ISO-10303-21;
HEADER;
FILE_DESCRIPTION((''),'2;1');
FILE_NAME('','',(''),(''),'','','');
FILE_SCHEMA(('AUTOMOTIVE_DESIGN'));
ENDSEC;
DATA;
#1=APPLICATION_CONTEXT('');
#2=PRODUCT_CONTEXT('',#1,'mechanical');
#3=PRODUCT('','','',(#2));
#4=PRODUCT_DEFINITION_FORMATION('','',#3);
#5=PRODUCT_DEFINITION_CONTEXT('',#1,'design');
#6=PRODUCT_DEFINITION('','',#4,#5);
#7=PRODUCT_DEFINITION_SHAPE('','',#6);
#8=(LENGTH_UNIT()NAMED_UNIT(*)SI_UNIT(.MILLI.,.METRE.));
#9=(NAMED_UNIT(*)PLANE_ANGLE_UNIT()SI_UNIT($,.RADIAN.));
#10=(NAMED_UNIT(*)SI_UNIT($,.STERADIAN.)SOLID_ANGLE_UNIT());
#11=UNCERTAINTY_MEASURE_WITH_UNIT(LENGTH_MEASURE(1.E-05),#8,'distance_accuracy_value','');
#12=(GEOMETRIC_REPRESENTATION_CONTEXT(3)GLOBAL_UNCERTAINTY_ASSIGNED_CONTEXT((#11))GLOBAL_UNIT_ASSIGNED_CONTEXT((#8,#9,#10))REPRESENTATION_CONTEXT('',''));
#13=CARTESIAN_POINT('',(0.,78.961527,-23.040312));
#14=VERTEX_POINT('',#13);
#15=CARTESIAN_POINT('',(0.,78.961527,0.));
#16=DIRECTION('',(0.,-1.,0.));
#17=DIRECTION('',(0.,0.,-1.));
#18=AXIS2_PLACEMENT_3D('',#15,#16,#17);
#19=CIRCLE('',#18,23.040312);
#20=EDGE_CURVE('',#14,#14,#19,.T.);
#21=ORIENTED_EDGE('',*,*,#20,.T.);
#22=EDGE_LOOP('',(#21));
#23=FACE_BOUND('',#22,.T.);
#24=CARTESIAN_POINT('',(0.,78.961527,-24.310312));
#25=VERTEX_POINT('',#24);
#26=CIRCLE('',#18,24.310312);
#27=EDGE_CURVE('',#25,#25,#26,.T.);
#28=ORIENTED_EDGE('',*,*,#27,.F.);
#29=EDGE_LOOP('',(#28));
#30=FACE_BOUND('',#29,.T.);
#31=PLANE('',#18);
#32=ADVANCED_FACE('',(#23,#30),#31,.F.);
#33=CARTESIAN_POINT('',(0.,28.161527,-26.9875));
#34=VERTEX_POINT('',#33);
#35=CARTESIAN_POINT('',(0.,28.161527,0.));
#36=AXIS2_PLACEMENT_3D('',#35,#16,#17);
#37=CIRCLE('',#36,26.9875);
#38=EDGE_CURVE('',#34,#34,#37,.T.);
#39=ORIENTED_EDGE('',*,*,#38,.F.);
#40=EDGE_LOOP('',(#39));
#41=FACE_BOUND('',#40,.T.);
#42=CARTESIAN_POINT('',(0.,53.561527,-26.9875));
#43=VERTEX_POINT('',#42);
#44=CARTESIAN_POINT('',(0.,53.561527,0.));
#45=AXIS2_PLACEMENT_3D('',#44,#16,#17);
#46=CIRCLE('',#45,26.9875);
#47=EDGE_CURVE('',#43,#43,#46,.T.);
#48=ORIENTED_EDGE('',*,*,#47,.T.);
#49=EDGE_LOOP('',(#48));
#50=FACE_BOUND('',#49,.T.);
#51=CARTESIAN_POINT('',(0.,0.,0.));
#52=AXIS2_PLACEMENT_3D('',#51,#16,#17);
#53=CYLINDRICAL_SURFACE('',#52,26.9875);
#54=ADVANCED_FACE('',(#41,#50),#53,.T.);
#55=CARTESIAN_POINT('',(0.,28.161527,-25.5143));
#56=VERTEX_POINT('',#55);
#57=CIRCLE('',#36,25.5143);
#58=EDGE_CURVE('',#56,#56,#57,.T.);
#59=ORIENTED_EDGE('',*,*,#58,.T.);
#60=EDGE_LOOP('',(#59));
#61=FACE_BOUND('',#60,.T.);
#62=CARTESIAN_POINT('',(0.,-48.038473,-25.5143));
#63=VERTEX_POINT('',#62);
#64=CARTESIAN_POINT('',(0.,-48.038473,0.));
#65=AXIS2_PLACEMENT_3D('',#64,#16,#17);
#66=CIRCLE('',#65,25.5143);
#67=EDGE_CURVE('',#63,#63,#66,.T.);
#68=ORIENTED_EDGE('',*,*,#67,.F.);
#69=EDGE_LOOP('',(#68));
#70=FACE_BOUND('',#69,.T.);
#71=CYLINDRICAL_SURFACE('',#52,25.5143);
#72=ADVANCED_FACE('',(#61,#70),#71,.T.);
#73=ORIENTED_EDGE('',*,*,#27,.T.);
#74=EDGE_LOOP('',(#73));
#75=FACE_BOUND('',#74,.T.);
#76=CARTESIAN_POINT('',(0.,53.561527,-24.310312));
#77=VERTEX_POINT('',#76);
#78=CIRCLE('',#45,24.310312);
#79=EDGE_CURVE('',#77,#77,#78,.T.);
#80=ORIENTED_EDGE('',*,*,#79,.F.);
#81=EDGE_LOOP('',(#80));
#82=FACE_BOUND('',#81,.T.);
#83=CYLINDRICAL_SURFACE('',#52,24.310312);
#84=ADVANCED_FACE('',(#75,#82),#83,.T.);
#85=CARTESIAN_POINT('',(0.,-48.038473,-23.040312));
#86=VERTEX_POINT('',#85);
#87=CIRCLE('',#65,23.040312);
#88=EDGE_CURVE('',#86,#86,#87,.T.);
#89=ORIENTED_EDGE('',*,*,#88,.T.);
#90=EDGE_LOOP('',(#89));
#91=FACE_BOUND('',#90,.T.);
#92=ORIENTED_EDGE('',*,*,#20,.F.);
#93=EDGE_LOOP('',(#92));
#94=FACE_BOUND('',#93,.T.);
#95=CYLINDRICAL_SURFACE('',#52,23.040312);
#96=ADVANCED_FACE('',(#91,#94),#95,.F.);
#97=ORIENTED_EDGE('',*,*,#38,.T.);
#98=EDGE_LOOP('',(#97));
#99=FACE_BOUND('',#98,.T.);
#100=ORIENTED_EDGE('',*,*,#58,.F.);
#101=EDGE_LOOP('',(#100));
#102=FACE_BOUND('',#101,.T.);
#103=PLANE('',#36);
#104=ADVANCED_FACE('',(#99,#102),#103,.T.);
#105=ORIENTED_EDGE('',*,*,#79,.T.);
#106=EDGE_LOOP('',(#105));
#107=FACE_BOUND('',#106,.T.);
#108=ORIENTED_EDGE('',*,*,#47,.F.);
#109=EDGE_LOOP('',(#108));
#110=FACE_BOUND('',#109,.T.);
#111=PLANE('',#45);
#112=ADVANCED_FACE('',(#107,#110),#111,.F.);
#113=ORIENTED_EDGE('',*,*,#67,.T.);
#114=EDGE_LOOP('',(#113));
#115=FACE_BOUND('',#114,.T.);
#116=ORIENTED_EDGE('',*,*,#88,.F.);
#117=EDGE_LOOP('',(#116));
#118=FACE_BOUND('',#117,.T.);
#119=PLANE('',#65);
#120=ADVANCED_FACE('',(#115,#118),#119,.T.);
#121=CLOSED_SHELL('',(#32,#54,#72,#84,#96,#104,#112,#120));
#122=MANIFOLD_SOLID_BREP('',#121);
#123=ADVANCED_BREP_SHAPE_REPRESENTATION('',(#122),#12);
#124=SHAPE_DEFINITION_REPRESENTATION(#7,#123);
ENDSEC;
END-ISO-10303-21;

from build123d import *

# Parameters (mm, degrees)
SKETCH1_W   = 1.27
SKETCH1_H   = 25.4
SKETCH1_W_2 = 1.4732
SKETCH1_W_3 = 2.473987507
SKETCH1_H_2 = 76.2


with BuildPart() as part:
    # Sketch1 → Revolve1 (revolve)
    with BuildSketch(Plane.XY, mode=Mode.PRIVATE) as revolve1_sk:
        with Locations((23.675312493, 66.261527288)):
            Rectangle(SKETCH1_W, SKETCH1_H)
        Polygon((24.310312493, 53.561527288), (23.040312493, 53.561527288), (23.040312493, 28.161527288), (25.5143, 28.161527288), (25.5143, 53.561527288), align=None)
        with Locations((26.2509, 40.861527288)):
            Rectangle(SKETCH1_W_2, SKETCH1_H)
        with Locations((24.277306247, -9.938472712)):
            Rectangle(SKETCH1_W_3, SKETCH1_H_2)
    revolve(revolve1_sk.sketch.rotate(Axis((0, 0, 0), (0, 1, 0)), 90), axis=Axis((0, 0, 0), (0, 1, 0)))


solid = part.part
